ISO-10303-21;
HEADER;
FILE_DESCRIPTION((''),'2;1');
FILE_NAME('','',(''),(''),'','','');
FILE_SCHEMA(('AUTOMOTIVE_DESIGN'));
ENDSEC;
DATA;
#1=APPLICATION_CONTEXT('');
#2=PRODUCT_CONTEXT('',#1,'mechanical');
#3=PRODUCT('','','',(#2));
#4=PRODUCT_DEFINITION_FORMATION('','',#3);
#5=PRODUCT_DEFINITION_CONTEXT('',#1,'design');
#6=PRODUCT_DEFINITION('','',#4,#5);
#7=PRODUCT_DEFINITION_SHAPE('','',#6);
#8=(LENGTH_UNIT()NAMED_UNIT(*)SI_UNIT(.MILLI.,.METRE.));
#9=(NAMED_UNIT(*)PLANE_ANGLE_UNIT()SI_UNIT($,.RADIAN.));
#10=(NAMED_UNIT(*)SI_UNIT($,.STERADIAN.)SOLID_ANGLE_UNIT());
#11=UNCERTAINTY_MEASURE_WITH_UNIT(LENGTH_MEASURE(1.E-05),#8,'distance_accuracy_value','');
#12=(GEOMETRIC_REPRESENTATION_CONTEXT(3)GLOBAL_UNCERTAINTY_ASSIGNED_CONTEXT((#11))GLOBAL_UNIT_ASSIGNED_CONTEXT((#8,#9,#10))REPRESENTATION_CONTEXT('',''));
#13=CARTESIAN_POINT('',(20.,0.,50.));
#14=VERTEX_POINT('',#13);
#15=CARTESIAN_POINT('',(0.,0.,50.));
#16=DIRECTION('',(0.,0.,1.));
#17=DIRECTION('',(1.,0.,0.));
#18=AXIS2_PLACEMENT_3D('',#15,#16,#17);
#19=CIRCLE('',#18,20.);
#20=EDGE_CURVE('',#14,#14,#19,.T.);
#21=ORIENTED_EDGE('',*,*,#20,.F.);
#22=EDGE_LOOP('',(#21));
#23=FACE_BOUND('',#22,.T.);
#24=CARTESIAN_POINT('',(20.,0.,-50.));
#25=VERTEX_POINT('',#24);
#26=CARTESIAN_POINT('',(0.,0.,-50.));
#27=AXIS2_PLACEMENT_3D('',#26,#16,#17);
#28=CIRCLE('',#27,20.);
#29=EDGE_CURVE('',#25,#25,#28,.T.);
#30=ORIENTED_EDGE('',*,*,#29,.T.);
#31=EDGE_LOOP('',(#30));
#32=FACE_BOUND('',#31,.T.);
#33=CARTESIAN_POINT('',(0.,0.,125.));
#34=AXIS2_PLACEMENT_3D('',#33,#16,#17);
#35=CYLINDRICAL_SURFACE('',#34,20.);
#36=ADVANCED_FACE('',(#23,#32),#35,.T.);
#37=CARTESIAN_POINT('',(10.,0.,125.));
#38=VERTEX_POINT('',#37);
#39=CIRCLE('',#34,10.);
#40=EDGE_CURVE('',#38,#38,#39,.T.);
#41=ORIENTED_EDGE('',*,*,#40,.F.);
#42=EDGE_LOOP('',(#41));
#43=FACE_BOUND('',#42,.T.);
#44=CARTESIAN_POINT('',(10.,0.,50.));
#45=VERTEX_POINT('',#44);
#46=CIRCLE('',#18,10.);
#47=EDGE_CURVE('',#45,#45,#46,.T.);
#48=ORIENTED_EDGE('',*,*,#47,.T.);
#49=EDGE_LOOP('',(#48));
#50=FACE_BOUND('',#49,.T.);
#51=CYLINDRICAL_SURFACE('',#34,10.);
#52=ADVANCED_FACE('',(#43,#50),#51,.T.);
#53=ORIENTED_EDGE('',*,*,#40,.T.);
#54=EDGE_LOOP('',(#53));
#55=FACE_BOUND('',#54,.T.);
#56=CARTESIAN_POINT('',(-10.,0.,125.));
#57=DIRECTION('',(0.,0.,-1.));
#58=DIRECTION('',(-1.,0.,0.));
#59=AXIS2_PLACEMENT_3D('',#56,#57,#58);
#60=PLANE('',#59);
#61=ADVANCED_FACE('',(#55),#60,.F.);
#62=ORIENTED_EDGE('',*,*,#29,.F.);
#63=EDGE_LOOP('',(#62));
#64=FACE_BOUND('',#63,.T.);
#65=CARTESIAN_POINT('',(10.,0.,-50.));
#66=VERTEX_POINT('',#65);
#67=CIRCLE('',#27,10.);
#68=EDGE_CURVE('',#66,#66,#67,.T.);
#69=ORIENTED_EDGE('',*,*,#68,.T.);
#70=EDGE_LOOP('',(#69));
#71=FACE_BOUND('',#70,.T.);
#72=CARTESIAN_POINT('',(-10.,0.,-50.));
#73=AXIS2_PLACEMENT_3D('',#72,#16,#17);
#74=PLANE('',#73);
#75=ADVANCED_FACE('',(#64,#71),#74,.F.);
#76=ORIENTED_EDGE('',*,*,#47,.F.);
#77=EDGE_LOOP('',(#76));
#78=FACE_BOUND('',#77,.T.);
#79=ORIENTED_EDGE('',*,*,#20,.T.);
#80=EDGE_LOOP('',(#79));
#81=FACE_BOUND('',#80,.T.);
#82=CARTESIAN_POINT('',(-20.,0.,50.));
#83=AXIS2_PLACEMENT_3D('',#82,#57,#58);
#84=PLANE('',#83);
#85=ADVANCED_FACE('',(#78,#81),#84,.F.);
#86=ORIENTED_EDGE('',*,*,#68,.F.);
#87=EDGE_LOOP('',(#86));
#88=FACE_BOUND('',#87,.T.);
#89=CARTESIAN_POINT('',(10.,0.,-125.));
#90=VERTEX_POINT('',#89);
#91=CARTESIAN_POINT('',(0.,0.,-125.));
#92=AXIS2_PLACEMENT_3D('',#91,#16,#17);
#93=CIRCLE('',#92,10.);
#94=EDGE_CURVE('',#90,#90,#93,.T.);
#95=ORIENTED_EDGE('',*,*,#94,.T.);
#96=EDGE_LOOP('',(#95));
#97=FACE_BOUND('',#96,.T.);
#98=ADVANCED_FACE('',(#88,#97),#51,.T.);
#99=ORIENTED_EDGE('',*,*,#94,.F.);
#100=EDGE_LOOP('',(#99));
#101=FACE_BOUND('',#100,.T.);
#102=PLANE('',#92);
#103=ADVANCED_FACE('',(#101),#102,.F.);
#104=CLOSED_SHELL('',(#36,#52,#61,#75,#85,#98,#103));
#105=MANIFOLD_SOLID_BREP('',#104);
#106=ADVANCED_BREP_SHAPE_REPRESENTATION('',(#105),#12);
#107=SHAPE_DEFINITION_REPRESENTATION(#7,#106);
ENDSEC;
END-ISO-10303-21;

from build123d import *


with BuildPart() as part:
    # Esquisse2 → Révolution1 (revolve)
    with BuildSketch(Plane(origin=(0, 0, 0), x_dir=(1, 0, 0), z_dir=(0, 1, 0)), mode=Mode.PRIVATE) as r_volution1_sk:
        Polygon((-10, 125), (-10, 50), (-20, 50), (-20, -50), (-10, -50), (-10, -125), (0, -125), (0, 125), align=None)
    revolve(r_volution1_sk.sketch.rotate(Axis((0, 0, 125), (0, 0, -1)), 180), axis=Axis((0, 0, 125), (0, 0, -1)))


solid = part.part
